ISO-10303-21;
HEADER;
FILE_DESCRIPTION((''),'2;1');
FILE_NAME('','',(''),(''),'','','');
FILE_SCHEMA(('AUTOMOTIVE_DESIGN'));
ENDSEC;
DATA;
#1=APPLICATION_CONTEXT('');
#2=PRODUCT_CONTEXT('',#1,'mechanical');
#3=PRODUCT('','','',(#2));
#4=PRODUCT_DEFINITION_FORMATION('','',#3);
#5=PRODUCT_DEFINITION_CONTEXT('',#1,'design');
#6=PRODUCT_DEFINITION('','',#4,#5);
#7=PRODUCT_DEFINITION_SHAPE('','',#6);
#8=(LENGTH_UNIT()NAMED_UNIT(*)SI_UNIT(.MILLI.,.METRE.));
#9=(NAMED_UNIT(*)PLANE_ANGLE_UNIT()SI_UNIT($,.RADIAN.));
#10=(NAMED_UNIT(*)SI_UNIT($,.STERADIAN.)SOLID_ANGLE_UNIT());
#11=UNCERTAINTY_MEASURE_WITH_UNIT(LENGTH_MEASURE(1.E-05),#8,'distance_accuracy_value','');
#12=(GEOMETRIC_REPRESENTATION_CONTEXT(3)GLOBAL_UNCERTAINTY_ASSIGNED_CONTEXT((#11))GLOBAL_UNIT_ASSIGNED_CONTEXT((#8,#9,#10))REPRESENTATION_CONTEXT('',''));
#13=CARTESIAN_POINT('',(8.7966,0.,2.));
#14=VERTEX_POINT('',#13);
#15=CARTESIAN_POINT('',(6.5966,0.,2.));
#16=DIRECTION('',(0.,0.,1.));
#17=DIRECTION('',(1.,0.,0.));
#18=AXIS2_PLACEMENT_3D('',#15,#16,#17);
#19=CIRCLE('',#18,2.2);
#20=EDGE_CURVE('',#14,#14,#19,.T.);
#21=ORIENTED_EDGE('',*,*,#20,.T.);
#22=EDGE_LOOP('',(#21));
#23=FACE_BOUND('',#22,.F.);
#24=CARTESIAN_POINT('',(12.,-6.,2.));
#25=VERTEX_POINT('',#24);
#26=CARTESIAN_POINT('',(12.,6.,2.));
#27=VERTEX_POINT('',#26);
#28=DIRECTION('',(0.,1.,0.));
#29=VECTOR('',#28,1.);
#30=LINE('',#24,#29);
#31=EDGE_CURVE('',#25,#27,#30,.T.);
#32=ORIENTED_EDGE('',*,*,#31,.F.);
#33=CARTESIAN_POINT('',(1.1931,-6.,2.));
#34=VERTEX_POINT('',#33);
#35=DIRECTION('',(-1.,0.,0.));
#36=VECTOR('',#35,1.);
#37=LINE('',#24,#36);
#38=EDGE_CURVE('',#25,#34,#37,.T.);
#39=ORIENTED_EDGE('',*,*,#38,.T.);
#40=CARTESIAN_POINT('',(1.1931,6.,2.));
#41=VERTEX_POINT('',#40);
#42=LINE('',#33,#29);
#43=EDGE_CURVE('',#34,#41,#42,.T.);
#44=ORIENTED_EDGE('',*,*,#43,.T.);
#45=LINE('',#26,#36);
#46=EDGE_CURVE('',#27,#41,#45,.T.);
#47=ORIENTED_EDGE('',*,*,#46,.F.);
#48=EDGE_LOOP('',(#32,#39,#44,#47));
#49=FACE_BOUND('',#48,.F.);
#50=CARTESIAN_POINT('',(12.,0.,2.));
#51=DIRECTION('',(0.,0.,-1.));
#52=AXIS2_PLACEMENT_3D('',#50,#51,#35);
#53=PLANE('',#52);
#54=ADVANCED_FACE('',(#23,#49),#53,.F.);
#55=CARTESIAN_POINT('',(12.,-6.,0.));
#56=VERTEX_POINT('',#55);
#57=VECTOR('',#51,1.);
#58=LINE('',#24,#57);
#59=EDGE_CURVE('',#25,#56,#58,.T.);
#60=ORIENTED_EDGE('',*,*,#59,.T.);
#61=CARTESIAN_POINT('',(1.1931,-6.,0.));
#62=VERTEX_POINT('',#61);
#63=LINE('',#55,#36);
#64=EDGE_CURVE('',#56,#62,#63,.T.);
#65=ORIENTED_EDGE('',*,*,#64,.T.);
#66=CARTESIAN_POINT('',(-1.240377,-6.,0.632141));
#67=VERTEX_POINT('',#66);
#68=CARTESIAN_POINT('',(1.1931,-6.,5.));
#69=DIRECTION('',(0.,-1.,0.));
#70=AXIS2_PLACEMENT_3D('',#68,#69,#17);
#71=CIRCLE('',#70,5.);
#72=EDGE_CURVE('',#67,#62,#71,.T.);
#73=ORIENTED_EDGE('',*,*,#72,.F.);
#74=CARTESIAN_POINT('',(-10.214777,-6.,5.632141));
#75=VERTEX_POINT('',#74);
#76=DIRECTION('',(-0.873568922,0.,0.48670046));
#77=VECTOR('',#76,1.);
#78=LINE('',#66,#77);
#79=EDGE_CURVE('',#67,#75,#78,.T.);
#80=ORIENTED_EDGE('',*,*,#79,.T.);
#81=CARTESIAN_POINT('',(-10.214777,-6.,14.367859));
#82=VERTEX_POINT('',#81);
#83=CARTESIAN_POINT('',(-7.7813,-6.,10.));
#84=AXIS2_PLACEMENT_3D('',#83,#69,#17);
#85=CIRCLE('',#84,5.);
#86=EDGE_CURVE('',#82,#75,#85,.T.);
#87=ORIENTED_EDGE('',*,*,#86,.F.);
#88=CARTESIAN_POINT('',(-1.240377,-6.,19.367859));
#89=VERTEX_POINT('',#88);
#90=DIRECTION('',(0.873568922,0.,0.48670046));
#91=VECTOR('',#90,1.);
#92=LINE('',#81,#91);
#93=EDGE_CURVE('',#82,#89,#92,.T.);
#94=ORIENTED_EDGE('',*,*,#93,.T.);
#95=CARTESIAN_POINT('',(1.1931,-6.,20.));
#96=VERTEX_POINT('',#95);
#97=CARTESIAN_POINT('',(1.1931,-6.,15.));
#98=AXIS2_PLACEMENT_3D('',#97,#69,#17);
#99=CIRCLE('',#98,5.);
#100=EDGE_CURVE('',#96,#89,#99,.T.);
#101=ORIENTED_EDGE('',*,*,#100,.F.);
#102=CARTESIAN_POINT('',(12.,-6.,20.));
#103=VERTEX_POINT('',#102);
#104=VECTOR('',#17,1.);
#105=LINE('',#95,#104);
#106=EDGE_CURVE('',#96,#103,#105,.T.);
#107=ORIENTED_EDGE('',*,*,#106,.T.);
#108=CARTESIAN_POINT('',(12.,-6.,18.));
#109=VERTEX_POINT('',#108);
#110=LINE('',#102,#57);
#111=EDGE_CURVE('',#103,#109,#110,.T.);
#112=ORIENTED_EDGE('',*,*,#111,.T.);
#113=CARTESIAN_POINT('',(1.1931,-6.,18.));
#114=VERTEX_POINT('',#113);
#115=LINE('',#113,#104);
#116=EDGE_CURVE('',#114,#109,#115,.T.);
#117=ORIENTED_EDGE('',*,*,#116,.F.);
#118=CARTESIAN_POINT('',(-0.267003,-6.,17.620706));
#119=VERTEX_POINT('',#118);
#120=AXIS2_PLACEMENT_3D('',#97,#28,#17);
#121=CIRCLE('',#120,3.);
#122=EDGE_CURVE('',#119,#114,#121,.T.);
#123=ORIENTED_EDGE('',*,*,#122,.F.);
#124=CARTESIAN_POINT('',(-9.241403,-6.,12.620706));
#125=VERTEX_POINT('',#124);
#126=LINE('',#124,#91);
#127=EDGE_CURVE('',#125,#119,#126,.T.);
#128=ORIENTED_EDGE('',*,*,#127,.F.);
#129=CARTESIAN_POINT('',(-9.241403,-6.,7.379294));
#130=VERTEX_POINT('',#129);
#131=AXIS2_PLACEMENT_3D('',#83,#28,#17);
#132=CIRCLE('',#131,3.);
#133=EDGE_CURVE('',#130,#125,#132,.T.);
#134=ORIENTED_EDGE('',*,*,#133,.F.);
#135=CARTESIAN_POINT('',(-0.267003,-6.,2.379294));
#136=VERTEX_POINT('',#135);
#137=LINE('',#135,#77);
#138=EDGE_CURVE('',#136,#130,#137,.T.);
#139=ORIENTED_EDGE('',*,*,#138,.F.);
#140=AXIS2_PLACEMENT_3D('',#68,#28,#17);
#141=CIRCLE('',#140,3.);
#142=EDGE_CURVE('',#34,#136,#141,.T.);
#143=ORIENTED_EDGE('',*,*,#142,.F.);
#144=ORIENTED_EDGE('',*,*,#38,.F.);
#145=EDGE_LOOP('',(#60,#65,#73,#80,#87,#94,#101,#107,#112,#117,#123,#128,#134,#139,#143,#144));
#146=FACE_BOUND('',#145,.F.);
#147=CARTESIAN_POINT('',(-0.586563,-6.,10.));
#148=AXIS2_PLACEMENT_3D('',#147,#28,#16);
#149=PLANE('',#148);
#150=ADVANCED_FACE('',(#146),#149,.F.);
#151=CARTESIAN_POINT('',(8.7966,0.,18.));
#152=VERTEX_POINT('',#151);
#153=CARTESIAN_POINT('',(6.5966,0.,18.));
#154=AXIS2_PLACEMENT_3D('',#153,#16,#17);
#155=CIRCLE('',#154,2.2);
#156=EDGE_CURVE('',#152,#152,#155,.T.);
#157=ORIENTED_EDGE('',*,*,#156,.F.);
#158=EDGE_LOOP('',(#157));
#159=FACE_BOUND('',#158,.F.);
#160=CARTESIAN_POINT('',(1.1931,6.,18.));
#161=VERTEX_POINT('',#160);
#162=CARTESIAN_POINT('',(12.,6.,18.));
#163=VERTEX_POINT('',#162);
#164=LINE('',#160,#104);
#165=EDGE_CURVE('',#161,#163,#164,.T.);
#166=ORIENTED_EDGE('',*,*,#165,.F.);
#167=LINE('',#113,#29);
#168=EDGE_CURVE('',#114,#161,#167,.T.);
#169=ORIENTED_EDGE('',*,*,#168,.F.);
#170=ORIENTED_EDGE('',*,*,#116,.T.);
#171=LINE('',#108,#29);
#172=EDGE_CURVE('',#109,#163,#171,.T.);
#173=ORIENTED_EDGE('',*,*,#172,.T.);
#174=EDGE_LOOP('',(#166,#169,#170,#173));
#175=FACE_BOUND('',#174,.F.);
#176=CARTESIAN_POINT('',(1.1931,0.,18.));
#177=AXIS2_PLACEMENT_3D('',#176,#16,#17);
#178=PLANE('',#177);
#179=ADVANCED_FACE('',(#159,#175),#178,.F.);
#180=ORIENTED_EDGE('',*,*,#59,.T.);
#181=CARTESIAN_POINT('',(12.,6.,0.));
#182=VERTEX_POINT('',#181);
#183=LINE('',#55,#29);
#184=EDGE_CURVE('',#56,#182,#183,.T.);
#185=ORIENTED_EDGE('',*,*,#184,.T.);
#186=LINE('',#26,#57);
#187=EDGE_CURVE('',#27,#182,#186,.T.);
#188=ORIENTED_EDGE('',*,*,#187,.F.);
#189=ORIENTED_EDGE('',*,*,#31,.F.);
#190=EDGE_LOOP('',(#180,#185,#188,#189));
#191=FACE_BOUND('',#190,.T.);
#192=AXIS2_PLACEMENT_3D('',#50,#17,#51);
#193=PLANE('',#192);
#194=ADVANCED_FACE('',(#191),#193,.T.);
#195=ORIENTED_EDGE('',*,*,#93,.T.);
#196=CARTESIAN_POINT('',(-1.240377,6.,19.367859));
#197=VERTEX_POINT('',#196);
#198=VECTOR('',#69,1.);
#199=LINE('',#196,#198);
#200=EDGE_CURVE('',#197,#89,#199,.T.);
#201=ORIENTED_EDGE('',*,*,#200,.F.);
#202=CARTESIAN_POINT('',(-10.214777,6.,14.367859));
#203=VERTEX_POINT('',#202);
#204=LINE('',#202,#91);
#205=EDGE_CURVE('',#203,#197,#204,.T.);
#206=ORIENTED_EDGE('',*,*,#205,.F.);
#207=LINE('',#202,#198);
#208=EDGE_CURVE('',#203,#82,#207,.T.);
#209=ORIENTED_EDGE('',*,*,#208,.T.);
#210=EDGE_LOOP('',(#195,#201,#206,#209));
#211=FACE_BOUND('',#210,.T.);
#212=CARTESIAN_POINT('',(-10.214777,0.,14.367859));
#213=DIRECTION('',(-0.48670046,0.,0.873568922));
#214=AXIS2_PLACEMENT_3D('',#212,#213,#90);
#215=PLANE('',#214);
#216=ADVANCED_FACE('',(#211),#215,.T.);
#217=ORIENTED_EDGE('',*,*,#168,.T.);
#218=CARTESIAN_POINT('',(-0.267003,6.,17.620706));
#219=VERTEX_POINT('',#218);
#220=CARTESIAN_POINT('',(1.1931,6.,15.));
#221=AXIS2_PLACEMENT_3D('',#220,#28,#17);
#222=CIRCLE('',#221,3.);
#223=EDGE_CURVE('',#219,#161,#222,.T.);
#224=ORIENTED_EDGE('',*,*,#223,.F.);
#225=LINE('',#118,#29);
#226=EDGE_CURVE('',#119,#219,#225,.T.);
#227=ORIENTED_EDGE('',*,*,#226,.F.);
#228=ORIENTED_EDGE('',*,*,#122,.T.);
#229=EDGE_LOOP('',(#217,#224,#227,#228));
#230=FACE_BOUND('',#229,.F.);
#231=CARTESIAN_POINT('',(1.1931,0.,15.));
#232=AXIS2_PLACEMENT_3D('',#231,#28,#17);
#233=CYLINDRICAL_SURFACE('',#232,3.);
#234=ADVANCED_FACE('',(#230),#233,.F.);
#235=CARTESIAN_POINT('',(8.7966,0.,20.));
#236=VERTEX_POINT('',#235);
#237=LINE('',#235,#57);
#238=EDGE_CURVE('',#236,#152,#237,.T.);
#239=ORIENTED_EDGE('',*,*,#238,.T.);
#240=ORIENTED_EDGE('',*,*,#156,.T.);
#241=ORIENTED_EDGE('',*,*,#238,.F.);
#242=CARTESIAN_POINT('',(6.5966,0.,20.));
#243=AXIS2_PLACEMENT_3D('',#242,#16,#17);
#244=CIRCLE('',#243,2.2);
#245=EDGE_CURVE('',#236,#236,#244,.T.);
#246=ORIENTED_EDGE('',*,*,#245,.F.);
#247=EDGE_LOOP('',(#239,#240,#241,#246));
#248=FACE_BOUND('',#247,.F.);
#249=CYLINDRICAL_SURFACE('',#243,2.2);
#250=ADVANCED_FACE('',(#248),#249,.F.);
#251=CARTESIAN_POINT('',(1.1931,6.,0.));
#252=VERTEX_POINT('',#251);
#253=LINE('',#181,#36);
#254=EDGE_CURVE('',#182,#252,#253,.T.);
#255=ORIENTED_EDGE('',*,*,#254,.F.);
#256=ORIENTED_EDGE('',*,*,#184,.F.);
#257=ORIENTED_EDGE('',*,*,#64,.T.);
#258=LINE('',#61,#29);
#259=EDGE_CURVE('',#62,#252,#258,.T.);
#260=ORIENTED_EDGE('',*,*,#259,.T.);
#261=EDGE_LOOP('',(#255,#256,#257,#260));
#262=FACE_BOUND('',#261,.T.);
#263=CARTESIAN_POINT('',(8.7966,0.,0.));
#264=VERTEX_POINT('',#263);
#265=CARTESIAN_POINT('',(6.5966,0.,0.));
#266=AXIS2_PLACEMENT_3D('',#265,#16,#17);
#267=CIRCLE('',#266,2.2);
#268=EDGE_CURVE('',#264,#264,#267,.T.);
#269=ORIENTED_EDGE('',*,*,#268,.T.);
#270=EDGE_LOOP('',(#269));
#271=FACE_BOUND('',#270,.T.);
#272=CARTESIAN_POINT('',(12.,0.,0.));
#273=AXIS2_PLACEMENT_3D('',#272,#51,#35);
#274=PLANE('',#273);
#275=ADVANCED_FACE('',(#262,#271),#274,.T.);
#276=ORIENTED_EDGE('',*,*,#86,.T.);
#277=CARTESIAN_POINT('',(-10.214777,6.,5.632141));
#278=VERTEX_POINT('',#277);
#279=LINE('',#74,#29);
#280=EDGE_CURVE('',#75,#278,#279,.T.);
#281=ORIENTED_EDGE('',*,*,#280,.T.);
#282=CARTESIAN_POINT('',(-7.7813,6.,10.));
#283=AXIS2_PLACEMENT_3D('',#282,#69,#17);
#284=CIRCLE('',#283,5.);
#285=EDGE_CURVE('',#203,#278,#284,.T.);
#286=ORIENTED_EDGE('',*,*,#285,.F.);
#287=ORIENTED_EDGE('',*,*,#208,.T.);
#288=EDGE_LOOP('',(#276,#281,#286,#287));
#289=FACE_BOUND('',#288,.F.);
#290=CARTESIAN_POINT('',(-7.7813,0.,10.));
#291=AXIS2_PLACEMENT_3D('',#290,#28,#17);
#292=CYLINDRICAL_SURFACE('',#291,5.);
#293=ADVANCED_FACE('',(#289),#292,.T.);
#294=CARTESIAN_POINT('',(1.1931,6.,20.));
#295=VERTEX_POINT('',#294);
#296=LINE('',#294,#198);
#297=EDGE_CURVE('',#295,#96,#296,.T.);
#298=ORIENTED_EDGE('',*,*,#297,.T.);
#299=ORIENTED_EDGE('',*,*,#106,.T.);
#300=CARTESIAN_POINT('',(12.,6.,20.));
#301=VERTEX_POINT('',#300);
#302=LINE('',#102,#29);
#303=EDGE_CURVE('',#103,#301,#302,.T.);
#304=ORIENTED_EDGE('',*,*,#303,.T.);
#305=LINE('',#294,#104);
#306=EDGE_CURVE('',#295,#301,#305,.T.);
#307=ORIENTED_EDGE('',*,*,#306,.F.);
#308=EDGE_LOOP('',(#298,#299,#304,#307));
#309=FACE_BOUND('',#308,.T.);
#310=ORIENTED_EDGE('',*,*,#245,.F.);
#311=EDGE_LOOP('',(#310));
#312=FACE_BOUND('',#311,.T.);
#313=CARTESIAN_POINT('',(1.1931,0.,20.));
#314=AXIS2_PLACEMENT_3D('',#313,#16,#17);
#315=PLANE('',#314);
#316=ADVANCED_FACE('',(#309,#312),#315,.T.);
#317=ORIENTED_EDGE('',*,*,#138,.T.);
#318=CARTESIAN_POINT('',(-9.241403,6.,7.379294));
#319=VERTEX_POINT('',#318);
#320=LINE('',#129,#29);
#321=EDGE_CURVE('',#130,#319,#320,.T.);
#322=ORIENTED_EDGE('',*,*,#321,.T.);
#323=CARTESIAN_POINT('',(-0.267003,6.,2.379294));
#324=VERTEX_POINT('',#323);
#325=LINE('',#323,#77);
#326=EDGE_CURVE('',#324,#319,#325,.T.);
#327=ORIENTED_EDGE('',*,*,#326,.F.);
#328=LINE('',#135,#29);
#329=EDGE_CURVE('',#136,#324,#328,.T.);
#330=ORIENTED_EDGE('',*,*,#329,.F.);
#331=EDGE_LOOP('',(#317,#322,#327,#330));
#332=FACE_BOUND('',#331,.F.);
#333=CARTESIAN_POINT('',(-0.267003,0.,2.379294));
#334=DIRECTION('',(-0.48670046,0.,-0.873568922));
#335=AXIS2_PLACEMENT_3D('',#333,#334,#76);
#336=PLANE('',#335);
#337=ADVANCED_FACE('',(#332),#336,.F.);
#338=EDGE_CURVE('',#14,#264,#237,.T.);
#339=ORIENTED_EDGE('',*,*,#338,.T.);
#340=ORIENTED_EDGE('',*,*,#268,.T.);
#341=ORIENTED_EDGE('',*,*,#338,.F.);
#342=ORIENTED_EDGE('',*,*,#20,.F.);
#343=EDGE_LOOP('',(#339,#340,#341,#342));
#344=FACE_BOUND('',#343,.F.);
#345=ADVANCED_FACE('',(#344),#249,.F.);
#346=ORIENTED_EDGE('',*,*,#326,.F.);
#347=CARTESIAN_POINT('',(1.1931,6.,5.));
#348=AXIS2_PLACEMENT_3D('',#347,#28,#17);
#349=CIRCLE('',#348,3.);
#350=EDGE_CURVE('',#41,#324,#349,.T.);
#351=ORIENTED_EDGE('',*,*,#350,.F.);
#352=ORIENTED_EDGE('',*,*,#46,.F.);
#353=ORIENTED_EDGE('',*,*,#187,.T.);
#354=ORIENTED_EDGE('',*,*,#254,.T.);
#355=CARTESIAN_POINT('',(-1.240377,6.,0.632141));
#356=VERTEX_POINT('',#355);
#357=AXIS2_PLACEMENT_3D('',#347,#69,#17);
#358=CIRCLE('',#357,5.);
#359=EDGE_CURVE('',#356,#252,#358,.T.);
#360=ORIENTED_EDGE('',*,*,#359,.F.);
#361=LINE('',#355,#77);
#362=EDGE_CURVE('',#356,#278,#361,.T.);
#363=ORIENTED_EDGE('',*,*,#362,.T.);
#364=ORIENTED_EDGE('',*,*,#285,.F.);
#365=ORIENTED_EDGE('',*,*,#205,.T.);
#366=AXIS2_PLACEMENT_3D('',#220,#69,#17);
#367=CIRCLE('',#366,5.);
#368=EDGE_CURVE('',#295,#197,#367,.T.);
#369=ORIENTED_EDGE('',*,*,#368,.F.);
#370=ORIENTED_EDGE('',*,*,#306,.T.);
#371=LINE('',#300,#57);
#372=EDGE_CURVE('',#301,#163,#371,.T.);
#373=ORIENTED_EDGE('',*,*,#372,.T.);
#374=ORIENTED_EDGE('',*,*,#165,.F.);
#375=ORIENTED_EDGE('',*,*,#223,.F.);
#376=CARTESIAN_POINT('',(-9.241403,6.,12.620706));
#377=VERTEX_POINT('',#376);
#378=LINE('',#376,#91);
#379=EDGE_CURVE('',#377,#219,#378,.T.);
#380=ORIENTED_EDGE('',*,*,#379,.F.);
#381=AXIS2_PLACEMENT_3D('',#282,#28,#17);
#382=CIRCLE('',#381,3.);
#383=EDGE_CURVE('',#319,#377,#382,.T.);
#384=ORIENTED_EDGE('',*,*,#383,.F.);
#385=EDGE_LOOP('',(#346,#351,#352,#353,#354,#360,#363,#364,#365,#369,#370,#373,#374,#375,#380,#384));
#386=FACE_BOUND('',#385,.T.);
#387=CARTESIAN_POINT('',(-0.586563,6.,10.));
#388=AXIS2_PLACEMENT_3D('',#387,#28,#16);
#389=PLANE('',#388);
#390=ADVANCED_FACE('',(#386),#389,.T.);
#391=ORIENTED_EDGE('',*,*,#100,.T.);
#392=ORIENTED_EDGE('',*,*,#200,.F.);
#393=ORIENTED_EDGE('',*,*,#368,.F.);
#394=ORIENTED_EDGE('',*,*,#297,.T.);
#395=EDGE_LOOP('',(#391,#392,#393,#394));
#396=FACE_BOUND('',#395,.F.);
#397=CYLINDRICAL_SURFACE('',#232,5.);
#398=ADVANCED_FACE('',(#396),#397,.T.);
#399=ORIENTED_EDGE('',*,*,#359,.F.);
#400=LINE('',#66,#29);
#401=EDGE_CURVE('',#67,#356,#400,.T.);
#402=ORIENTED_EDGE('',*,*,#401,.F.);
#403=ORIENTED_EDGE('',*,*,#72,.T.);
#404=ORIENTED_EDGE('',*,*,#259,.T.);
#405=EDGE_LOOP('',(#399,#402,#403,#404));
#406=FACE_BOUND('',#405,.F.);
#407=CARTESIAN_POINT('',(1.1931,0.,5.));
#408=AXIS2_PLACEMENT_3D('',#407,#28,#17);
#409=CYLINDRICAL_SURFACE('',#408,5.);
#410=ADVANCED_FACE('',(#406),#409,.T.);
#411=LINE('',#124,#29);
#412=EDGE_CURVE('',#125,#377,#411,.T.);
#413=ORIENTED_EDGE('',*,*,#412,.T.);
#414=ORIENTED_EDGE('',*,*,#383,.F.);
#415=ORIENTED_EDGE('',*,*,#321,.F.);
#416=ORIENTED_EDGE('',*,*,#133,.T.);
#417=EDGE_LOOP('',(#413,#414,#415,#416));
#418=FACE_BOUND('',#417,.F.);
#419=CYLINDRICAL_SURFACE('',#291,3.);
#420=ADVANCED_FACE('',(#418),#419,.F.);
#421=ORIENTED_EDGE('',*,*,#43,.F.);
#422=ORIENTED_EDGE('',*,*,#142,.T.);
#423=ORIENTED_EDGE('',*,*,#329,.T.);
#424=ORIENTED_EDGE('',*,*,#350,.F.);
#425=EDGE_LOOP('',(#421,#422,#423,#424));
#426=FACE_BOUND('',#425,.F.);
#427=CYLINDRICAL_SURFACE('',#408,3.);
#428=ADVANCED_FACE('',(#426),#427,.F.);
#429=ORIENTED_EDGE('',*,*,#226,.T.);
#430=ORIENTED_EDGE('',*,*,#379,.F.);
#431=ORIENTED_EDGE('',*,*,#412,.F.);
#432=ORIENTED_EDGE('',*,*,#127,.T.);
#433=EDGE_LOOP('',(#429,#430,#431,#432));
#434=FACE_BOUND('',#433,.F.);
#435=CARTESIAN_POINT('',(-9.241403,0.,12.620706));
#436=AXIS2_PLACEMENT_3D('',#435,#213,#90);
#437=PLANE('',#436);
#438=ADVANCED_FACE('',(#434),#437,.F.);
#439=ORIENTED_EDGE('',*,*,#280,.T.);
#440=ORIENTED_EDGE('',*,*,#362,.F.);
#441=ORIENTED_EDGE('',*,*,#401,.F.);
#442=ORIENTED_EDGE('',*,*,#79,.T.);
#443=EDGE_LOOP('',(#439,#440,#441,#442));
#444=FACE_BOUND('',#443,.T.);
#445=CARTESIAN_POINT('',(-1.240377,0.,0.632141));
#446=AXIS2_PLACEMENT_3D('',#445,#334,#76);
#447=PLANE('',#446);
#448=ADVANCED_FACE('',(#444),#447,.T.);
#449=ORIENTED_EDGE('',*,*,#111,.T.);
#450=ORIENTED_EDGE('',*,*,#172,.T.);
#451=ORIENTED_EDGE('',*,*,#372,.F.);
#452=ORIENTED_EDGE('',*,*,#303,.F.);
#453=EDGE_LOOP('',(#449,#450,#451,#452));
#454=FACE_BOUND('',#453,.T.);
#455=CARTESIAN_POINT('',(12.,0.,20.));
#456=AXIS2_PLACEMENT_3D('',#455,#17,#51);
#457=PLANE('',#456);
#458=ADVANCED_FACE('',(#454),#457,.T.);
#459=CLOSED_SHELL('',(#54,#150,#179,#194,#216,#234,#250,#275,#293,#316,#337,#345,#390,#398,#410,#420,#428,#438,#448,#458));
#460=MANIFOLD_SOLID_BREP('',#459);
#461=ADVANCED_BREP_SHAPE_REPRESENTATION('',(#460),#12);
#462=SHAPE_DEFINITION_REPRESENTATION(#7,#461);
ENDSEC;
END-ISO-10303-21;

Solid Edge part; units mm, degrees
sketch "Sketch1" plane through (0, 0, 0) normal (0, -1, 0) x (1, 0, 0)
  line L0 (1.1931, 20) -> (12, 20)
  arc A0 (1.1931, 20) -> (-1.2404, 19.3679) centre (1.1931, 15) ccw
  line L1 (-10.2148, 14.3679) -> (-1.2404, 19.3679)
  arc A1 (-10.2148, 14.3679) -> (-10.2148, 5.6321) centre (-7.7813, 10) ccw
  line L2 (-1.2404, 0.6321) -> (-10.2148, 5.6321)
  arc A2 (-1.2404, 0.6321) -> (1.1931, 0) centre (1.1931, 5) ccw
  line L3 (12, 0) -> (1.1931, 0)
  line L4 (12, 2) -> (12, 0)
  line L5 (12, 2) -> (1.1931, 2)
  arc A3 (1.1931, 2) -> (-0.267, 2.3793) centre (1.1931, 5) cw
  line L6 (-0.267, 2.3793) -> (-9.2414, 7.3793)
  arc A4 (-9.2414, 7.3793) -> (-9.2414, 12.6207) centre (-7.7813, 10) cw
  line L7 (-9.2414, 12.6207) -> (-0.267, 17.6207)
  arc A5 (-0.267, 17.6207) -> (1.1931, 18) centre (1.1931, 15) cw
  line L8 (1.1931, 18) -> (12, 18)
  line L9 (12, 20) -> (12, 18)
  dimension "D1" = 16
  dimension "D2" = 1
extrude "Protrusion1" add sketch "Sketch1" along normal mid plane 12
sketch "Sketch2" plane through (6.5966, 0, 20) normal (0, 0, 1) x (1, 0, 0)
  circle A0 centre (0, 0) radius 2.2
extrude "Cutout1" cut sketch "Sketch2" against normal through all
